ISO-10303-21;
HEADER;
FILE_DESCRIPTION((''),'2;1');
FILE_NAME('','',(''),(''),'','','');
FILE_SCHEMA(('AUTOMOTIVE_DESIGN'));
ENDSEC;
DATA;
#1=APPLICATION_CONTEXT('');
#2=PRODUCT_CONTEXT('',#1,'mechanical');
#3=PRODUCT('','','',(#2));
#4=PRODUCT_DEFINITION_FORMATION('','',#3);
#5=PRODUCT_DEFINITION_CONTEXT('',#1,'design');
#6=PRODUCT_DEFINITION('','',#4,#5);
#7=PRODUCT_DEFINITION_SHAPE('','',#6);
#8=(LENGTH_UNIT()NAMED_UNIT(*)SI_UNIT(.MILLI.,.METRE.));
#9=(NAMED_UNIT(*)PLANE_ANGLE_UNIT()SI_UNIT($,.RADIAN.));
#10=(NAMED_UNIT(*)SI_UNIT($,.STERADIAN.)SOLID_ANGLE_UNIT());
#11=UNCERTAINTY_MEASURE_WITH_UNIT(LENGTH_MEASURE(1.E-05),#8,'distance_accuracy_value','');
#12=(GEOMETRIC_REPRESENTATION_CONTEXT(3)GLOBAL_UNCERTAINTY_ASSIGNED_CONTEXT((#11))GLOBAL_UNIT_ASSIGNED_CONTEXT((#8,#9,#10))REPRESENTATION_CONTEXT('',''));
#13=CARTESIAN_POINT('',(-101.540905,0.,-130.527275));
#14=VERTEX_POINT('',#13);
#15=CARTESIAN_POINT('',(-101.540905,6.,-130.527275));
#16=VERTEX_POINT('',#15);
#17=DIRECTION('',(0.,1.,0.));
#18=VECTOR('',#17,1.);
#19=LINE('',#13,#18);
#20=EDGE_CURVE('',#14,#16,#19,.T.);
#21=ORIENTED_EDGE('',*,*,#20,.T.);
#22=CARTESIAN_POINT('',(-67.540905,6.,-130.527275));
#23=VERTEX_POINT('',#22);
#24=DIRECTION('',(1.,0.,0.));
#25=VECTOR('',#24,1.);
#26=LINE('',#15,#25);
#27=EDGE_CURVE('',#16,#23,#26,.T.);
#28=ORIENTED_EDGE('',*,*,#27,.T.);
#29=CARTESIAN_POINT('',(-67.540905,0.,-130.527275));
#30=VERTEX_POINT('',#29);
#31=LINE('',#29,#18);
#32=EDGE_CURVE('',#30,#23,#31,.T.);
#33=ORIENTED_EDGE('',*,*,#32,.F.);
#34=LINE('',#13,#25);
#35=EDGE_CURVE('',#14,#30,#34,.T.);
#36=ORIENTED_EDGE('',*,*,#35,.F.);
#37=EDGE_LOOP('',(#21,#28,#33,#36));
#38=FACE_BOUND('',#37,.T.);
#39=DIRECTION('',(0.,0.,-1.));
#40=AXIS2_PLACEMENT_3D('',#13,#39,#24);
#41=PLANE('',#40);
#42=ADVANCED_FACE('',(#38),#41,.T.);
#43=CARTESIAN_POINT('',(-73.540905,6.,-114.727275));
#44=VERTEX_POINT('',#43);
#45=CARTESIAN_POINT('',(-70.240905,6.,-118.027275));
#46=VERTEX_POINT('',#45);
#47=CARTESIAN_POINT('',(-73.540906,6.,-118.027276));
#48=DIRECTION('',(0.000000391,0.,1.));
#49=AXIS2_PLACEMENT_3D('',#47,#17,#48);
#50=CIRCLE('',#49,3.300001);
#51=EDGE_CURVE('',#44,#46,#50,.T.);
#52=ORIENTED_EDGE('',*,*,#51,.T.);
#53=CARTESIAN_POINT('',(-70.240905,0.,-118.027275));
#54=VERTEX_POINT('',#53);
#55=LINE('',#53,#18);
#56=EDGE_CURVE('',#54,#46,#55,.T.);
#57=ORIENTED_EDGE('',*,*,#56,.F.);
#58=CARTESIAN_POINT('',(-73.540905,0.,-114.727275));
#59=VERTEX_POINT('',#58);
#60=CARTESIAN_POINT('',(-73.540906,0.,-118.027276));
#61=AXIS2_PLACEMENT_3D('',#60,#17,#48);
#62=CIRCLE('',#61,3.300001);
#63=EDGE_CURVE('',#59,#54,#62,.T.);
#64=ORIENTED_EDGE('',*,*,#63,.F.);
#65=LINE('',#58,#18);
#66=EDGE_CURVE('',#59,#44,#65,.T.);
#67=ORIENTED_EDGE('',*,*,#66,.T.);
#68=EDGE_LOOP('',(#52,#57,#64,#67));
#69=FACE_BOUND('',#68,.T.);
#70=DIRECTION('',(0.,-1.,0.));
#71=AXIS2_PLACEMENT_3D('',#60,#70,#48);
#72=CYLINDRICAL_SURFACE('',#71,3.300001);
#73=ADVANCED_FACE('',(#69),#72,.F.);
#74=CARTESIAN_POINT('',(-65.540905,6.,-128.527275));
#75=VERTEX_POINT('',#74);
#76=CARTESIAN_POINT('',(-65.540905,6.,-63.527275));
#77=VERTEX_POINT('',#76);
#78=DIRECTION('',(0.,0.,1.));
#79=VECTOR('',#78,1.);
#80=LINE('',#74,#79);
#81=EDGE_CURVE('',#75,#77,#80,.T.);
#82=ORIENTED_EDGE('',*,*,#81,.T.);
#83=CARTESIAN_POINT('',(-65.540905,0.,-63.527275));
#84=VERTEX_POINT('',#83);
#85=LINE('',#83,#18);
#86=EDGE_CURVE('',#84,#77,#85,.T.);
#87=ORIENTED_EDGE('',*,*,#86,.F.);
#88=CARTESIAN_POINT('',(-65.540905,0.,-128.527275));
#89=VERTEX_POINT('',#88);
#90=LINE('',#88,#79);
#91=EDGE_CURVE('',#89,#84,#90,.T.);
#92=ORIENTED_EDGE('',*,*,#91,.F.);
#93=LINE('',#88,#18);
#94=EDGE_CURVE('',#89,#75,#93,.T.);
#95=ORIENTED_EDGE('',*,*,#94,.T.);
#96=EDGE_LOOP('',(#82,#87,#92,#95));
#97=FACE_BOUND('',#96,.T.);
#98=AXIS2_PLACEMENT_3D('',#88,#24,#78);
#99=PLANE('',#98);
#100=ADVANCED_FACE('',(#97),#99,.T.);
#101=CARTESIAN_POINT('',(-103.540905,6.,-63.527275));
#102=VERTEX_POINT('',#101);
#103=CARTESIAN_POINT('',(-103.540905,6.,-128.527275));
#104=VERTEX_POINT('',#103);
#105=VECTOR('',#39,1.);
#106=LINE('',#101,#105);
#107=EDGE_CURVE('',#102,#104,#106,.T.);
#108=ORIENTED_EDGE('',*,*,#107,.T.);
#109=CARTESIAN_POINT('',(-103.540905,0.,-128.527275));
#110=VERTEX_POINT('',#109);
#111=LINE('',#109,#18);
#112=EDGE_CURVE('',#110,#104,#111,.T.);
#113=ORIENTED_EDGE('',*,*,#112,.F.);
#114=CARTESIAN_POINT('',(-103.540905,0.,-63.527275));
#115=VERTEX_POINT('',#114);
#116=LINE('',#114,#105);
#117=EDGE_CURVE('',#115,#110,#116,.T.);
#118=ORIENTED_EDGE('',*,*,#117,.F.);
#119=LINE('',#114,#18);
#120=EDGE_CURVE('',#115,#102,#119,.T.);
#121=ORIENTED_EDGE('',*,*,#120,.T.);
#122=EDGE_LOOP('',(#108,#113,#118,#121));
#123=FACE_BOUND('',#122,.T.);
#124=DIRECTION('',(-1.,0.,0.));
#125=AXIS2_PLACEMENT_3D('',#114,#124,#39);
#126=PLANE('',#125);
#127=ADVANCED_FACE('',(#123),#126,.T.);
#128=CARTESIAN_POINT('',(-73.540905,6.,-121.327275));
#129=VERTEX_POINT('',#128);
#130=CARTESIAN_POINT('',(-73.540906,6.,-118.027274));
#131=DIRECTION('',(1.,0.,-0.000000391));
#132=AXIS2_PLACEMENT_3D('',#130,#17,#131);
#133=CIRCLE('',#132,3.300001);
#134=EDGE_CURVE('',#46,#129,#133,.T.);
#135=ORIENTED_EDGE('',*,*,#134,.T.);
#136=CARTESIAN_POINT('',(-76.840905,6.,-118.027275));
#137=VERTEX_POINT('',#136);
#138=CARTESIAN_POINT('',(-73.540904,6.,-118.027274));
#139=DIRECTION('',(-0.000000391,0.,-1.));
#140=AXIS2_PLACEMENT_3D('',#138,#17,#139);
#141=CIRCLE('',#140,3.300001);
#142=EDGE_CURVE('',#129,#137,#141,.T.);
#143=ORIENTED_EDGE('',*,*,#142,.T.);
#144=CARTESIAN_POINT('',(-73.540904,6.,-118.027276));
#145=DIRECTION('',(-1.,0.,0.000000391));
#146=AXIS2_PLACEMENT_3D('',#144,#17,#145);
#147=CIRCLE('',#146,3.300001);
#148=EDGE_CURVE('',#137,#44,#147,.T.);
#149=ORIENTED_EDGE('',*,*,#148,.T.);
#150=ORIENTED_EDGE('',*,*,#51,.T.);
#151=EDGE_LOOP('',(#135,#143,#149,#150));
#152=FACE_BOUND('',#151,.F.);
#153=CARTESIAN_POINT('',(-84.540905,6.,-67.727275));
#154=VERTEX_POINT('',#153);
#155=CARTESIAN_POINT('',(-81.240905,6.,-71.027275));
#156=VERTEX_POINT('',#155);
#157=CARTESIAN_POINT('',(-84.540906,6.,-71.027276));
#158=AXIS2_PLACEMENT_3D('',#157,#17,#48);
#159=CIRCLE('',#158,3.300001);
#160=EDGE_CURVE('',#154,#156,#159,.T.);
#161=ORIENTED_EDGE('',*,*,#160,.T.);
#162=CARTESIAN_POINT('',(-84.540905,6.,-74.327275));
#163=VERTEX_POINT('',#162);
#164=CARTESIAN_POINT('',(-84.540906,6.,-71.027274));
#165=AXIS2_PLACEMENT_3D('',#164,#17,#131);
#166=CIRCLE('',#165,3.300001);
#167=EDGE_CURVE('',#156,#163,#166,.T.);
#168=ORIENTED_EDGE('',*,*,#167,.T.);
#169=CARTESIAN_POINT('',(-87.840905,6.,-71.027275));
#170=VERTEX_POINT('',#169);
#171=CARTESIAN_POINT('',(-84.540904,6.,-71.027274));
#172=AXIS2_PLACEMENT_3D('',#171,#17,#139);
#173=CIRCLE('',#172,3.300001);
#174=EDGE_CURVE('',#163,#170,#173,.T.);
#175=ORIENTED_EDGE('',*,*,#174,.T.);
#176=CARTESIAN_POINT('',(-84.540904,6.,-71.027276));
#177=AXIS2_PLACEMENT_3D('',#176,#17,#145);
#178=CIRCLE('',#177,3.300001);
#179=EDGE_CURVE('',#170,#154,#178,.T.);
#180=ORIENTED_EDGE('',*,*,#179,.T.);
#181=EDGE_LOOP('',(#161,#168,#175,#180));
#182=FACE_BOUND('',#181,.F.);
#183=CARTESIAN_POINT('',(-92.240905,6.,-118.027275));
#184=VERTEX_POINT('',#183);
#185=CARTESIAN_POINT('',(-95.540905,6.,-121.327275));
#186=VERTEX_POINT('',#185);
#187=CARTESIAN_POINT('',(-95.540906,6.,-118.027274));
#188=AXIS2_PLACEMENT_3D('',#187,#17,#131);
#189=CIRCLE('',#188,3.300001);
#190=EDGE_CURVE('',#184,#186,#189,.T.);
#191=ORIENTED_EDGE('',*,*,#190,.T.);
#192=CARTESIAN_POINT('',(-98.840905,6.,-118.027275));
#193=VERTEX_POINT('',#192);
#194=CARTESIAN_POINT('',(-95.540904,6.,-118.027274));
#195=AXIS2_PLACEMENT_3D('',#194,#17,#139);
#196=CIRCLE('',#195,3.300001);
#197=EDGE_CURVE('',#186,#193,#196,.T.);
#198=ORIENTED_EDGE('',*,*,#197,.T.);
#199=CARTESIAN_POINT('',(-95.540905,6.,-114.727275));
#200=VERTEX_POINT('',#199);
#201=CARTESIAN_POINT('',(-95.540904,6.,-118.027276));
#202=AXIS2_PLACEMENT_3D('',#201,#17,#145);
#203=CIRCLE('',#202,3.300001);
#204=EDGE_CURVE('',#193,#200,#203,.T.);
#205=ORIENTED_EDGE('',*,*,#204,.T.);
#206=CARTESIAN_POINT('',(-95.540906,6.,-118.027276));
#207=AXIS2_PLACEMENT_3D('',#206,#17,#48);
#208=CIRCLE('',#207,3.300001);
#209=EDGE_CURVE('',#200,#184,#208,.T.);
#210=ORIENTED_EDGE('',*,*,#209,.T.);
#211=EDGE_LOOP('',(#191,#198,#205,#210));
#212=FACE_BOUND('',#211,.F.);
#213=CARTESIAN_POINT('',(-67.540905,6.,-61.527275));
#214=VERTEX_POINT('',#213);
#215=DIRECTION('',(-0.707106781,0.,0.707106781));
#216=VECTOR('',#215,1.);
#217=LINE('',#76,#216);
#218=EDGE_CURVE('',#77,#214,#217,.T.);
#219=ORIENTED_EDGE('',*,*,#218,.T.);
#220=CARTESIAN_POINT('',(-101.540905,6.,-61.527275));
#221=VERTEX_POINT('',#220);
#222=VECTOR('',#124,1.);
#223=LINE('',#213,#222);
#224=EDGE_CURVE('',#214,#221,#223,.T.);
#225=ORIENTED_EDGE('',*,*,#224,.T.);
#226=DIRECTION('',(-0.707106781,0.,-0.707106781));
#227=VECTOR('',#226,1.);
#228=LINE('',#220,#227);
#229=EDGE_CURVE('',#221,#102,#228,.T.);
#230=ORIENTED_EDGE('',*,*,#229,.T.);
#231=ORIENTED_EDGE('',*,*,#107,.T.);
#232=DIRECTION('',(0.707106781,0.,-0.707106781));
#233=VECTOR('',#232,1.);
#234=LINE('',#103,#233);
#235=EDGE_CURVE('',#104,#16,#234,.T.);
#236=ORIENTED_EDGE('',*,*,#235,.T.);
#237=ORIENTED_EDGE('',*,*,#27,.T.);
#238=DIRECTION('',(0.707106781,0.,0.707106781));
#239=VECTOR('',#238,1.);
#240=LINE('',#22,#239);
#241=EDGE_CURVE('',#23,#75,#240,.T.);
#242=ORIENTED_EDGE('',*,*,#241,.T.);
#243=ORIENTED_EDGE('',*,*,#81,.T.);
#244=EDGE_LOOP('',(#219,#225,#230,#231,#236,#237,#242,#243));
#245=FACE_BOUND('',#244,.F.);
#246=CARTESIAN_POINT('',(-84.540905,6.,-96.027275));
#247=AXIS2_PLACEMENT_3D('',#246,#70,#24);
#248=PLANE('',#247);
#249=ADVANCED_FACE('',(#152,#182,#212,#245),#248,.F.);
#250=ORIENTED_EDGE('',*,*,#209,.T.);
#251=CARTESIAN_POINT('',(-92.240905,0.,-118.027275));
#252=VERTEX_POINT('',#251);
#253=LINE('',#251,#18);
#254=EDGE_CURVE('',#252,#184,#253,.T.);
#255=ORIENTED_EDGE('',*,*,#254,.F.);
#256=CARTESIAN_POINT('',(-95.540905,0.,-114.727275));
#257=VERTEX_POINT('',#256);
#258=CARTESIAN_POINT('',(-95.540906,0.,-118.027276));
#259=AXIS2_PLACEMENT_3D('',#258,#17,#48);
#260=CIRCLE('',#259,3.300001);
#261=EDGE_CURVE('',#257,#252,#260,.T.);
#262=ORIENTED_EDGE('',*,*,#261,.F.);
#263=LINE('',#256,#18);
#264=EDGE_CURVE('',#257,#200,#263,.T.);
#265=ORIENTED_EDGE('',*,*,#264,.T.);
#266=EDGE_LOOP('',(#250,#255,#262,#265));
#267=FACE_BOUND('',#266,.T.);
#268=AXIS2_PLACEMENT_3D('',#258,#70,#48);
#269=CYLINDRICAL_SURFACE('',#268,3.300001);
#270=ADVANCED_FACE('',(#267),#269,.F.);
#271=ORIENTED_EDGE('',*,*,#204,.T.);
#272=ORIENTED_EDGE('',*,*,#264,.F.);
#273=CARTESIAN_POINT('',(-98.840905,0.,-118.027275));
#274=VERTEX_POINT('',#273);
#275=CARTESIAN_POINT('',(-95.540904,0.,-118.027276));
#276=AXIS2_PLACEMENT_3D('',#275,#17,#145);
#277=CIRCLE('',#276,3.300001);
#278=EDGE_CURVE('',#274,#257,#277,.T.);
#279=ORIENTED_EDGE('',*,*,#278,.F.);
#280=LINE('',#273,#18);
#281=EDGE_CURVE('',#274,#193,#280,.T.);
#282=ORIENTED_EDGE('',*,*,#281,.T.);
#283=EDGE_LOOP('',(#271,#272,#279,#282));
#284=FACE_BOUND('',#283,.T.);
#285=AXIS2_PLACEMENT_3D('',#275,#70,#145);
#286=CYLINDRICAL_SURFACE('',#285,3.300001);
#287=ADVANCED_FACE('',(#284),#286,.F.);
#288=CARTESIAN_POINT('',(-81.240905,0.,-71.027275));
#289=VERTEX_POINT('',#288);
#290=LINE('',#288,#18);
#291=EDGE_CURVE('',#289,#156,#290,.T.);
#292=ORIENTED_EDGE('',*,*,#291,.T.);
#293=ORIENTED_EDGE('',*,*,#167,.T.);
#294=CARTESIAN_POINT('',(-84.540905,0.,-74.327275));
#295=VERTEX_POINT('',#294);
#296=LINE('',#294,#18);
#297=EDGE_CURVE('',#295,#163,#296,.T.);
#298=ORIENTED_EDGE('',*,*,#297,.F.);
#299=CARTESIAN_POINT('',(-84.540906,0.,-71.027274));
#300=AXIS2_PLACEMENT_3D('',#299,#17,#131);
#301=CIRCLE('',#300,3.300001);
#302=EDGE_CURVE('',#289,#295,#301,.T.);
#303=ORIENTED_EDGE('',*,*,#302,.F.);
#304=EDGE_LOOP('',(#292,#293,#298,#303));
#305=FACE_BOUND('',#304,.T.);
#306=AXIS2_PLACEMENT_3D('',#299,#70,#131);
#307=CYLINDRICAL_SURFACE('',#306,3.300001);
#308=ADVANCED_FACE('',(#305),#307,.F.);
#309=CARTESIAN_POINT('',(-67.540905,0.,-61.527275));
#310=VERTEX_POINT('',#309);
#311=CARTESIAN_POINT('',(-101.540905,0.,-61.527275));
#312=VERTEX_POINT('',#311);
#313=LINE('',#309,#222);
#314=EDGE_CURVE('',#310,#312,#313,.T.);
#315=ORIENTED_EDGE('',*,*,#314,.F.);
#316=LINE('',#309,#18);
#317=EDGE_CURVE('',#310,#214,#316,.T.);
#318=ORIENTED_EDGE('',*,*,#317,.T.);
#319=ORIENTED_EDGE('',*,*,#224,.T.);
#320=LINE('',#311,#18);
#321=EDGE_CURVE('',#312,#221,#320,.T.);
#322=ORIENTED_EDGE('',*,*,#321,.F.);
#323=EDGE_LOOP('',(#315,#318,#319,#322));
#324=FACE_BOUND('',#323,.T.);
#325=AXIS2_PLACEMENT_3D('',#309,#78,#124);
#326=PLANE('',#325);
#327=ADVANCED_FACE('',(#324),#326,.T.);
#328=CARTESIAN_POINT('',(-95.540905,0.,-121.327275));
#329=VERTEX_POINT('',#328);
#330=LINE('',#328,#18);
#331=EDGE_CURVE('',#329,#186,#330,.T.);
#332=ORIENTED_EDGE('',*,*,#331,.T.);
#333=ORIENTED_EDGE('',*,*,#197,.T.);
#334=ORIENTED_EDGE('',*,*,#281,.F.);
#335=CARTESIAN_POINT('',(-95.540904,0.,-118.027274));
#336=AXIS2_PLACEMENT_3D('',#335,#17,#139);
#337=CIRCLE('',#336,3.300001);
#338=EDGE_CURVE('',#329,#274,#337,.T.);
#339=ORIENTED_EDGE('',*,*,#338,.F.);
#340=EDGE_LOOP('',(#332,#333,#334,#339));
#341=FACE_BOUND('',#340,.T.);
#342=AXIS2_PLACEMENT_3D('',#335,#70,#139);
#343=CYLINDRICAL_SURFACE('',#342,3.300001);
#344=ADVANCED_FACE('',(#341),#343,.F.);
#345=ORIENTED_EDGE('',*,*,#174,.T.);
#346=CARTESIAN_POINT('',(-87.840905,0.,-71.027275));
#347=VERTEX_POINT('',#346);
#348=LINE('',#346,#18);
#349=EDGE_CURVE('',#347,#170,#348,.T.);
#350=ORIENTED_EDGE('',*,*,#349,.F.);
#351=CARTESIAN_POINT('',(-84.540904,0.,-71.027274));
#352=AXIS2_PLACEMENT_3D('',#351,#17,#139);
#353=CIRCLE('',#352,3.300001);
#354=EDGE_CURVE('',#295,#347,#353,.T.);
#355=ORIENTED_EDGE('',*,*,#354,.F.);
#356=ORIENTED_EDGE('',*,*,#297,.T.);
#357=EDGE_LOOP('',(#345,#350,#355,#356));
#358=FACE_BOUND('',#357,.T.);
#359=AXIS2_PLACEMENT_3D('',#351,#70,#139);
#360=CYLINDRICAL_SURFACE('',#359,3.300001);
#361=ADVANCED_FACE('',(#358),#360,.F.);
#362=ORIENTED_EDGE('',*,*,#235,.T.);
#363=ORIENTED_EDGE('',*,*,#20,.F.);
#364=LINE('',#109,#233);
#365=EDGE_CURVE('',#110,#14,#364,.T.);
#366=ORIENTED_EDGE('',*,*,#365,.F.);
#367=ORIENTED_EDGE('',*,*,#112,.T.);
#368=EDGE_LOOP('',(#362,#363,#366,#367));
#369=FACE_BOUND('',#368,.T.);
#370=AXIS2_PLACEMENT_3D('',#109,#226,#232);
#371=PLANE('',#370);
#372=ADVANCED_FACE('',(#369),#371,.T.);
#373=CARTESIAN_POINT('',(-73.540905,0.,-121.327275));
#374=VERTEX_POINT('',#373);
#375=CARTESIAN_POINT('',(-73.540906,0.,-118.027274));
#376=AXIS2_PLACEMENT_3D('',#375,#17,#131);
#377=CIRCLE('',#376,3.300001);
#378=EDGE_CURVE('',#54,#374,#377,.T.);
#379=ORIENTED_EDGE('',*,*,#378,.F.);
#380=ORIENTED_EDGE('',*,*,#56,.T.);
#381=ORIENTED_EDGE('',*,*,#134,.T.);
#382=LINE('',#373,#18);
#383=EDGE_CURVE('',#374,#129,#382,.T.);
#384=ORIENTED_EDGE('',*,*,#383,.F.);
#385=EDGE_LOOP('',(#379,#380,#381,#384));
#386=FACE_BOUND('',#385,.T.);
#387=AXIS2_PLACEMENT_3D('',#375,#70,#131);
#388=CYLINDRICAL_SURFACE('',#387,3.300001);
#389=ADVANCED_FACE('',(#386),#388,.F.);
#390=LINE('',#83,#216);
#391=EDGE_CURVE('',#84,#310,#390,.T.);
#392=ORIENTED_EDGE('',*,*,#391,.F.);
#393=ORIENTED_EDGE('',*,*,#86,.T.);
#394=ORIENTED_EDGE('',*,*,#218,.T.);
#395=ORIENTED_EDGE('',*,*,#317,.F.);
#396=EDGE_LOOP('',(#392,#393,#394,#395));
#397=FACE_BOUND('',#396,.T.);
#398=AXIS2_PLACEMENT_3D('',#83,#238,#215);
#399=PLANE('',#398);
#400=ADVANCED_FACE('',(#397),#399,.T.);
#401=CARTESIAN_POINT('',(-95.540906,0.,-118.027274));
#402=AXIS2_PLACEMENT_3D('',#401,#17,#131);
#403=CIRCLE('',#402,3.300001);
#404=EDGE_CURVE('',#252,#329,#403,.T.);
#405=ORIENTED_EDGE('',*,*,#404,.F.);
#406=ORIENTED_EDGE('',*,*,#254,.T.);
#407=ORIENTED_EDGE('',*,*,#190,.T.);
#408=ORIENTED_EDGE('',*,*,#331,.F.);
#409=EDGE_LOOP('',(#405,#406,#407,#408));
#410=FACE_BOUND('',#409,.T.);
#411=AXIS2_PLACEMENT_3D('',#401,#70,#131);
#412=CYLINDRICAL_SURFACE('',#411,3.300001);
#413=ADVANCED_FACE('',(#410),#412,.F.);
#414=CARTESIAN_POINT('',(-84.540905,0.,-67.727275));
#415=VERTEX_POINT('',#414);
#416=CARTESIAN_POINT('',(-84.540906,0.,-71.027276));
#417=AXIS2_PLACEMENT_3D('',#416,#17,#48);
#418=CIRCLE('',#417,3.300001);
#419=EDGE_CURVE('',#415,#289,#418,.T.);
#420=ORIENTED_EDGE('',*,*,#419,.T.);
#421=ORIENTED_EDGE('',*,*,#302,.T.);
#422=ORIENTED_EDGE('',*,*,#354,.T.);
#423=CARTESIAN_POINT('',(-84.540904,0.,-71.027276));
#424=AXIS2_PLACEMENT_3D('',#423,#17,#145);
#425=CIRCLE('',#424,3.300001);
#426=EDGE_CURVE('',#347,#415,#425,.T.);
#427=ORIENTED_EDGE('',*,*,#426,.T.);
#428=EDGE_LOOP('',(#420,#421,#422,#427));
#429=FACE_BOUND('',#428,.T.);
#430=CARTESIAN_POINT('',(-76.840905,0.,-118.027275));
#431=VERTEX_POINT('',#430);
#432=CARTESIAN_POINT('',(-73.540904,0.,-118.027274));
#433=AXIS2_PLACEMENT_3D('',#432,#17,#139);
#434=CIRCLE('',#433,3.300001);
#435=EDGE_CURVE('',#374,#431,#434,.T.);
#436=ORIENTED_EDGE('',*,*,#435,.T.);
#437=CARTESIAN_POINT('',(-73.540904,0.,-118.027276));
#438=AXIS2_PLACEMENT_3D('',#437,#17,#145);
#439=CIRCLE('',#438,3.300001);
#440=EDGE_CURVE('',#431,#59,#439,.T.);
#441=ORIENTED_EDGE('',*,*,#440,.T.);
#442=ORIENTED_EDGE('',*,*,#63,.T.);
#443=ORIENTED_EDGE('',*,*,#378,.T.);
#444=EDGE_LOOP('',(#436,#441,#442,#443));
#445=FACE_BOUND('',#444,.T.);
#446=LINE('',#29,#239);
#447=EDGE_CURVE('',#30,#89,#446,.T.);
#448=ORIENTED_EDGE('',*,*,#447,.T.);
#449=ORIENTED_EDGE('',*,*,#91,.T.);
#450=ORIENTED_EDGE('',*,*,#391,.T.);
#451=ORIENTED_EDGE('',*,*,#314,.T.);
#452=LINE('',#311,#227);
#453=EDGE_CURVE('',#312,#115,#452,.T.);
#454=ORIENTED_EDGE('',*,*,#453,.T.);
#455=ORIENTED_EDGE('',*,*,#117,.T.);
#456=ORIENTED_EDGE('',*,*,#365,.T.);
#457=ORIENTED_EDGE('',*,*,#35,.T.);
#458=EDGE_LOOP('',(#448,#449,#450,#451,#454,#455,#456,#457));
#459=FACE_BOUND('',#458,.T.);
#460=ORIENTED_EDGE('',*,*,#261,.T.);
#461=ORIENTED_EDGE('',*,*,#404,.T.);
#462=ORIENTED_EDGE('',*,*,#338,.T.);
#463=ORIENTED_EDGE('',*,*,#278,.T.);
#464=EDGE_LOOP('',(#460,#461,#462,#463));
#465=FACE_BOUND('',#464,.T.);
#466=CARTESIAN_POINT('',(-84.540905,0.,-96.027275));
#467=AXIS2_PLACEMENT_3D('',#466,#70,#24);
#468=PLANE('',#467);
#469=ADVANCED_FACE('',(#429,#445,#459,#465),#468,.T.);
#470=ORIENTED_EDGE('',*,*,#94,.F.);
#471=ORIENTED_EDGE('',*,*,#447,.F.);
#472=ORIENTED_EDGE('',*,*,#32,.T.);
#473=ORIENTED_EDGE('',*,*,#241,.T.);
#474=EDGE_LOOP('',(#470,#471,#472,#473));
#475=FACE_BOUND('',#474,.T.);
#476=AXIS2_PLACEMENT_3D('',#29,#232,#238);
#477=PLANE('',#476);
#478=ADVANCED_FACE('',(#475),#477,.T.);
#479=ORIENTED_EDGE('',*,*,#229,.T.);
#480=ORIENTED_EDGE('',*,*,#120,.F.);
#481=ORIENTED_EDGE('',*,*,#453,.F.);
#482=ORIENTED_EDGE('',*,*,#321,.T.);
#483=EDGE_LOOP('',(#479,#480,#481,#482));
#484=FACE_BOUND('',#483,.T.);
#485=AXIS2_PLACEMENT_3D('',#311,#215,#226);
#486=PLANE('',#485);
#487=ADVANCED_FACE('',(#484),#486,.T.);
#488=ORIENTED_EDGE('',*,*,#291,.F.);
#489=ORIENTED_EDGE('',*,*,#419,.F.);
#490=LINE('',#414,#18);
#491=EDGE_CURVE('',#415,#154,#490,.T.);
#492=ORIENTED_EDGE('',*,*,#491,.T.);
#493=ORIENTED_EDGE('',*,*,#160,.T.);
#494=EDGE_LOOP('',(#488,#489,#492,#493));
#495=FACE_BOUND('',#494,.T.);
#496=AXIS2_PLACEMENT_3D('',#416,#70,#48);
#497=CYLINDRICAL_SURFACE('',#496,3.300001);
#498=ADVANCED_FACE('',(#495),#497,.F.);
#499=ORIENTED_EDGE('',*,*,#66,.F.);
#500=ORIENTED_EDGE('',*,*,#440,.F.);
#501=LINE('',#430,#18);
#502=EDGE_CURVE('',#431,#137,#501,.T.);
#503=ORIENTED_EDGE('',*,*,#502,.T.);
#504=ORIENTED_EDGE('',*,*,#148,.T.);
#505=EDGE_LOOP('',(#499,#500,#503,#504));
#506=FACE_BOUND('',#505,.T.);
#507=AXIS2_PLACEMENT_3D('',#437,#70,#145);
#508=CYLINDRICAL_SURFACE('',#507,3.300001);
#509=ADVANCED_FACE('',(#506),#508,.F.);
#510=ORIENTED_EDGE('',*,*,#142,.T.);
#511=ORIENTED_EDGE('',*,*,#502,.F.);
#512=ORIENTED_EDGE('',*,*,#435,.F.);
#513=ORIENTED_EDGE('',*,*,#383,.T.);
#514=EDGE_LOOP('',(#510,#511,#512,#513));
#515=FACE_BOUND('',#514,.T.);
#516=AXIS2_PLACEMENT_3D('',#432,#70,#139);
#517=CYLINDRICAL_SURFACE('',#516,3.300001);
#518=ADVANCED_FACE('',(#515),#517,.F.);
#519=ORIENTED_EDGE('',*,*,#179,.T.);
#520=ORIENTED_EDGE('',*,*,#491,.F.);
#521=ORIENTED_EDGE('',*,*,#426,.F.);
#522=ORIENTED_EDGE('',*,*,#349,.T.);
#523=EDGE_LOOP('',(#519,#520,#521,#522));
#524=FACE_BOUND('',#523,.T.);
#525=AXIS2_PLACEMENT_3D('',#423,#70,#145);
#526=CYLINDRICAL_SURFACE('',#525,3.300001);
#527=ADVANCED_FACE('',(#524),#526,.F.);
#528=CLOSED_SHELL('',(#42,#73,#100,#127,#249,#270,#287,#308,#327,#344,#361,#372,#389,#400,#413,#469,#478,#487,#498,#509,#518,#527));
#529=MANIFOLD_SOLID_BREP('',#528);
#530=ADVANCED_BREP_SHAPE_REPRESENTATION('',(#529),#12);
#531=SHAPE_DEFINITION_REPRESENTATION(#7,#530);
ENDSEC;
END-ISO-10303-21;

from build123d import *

# Parameters (mm, degrees)
F1_DEPTH = 6


with BuildPart() as f1:
    # F0 (on Front) → F1 (new body)
    with BuildSketch(Plane.XZ):
        Polygon((-65.540905, -63.527275), (-67.540905, -61.527275), (-101.540905, -61.527275), (-103.540905, -63.527275), (-103.540905, -128.527275), (-101.540905, -130.527275), (-67.540905, -130.527275), (-65.540905, -128.527275), align=None)
        with BuildLine():
            ThreePointArc((-95.540905, -121.327275), (-97.874357, -120.360727), (-98.840905, -118.027275))
            ThreePointArc((-98.840905, -118.027275), (-97.874357, -115.693823), (-95.540905, -114.727275))
            ThreePointArc((-95.540905, -114.727275), (-93.207453, -115.693823), (-92.240905, -118.027275))
            ThreePointArc((-92.240905, -118.027275), (-93.207453, -120.360727), (-95.540905, -121.327275))
        make_face(mode=Mode.SUBTRACT)
        with BuildLine():
            ThreePointArc((-73.540905, -121.327275), (-75.874357, -120.360727), (-76.840905, -118.027275))
            ThreePointArc((-76.840905, -118.027275), (-75.874357, -115.693823), (-73.540905, -114.727275))
            ThreePointArc((-73.540905, -114.727275), (-71.207453, -115.693823), (-70.240905, -118.027275))
            ThreePointArc((-70.240905, -118.027275), (-71.207453, -120.360727), (-73.540905, -121.327275))
        make_face(mode=Mode.SUBTRACT)
        with BuildLine():
            ThreePointArc((-84.540905, -74.327275), (-86.874357, -73.360727), (-87.840905, -71.027275))
            ThreePointArc((-87.840905, -71.027275), (-86.874357, -68.693823), (-84.540905, -67.727275))
            ThreePointArc((-84.540905, -67.727275), (-82.207453, -68.693823), (-81.240905, -71.027275))
            ThreePointArc((-81.240905, -71.027275), (-82.207453, -73.360727), (-84.540905, -74.327275))
        make_face(mode=Mode.SUBTRACT)
    extrude(amount=-F1_DEPTH)


solid = f1.part
